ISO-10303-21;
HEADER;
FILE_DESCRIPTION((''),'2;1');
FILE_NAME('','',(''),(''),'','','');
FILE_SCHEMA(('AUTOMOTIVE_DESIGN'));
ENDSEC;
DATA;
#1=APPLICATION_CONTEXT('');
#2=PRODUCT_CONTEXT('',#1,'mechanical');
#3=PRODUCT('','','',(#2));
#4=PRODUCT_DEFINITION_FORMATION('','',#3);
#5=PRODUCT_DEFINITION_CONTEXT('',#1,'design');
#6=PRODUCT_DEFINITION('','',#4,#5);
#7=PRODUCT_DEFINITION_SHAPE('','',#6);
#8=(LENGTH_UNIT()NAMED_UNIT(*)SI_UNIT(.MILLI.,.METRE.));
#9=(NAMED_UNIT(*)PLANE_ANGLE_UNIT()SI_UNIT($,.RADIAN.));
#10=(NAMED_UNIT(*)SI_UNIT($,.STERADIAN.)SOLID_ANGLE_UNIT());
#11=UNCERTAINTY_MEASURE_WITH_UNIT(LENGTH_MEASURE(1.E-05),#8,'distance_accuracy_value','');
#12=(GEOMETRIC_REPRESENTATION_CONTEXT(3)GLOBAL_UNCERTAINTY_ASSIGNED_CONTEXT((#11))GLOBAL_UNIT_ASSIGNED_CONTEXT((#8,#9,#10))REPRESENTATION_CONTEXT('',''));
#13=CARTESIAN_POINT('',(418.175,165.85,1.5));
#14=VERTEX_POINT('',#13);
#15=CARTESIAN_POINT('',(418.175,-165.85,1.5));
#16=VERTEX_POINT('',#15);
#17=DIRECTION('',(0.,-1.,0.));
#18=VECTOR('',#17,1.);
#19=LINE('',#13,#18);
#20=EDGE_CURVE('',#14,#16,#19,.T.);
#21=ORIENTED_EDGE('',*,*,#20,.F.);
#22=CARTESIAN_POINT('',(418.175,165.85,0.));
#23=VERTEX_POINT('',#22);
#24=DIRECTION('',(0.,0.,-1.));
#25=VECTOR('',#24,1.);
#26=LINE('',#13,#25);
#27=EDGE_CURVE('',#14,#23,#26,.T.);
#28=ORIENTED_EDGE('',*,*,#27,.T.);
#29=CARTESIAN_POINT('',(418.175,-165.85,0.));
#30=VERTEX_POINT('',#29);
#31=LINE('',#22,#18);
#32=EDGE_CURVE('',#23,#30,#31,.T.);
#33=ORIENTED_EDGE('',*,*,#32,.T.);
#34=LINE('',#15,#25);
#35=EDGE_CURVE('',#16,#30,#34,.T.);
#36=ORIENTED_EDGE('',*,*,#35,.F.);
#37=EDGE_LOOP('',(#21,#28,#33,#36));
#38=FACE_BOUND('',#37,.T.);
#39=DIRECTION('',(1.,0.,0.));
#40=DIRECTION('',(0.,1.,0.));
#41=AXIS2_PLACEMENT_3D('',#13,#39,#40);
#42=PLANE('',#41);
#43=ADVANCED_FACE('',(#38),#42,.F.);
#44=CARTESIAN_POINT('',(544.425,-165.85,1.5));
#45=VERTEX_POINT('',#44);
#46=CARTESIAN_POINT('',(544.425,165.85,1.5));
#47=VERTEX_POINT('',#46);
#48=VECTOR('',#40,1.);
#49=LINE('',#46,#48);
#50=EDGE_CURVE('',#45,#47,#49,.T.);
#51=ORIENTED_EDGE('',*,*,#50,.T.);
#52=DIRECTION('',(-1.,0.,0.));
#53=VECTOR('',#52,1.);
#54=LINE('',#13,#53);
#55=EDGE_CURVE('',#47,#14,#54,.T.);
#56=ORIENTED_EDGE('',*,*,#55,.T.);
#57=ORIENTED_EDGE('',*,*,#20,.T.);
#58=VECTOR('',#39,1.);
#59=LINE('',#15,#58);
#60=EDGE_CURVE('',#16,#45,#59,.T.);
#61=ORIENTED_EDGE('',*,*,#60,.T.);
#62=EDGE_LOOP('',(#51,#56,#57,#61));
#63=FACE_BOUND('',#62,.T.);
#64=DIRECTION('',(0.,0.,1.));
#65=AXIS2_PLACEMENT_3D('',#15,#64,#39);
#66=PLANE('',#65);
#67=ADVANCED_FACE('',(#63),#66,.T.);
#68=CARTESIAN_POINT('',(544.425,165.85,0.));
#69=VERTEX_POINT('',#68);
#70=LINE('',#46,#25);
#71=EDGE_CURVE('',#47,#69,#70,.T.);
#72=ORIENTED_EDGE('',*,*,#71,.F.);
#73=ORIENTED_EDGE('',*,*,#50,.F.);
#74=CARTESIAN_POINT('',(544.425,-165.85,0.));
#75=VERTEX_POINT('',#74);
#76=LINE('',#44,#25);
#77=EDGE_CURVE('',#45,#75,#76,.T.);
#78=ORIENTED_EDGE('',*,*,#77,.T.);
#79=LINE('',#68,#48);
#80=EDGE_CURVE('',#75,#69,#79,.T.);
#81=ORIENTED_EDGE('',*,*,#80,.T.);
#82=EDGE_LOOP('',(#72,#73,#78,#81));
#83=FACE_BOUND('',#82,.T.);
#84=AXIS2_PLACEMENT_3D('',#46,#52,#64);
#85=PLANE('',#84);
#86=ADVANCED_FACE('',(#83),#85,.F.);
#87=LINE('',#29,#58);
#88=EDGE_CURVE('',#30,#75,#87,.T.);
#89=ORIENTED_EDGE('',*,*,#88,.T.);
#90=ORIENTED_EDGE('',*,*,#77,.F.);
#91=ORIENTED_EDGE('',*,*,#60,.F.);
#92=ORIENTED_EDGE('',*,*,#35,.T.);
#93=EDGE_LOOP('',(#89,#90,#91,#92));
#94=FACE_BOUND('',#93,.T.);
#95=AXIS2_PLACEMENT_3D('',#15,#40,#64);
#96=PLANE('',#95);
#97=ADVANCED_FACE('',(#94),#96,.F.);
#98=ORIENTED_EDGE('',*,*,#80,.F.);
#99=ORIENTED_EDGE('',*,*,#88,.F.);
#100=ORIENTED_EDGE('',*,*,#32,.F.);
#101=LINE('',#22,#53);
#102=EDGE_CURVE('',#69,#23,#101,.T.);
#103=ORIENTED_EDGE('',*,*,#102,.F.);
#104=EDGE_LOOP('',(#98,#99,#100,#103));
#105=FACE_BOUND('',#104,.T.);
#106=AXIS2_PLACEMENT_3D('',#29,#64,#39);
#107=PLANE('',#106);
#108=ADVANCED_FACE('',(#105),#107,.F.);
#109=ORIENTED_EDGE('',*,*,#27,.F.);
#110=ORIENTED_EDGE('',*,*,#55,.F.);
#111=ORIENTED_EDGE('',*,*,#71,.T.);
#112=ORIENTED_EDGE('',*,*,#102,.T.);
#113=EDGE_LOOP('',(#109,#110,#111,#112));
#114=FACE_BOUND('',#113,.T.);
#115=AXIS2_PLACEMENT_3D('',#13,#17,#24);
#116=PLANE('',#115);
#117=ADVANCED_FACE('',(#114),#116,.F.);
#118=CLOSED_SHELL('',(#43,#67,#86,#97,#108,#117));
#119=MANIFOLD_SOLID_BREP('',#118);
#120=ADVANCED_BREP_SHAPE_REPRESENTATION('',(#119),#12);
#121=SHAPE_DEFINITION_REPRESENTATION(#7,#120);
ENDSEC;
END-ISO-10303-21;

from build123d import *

# Parameters (mm, degrees)
SKETCH1_W      = 126.25
SKETCH1_H      = 331.7
EXTRUDE1_DEPTH = 1.5


with BuildPart() as part:
    # Sketch1 → Extrude1 (new body)
    with BuildSketch(Plane.XY):
        with Locations((481.3, 0)):
            Rectangle(SKETCH1_W, SKETCH1_H)
    extrude(amount=EXTRUDE1_DEPTH)


solid = part.part
